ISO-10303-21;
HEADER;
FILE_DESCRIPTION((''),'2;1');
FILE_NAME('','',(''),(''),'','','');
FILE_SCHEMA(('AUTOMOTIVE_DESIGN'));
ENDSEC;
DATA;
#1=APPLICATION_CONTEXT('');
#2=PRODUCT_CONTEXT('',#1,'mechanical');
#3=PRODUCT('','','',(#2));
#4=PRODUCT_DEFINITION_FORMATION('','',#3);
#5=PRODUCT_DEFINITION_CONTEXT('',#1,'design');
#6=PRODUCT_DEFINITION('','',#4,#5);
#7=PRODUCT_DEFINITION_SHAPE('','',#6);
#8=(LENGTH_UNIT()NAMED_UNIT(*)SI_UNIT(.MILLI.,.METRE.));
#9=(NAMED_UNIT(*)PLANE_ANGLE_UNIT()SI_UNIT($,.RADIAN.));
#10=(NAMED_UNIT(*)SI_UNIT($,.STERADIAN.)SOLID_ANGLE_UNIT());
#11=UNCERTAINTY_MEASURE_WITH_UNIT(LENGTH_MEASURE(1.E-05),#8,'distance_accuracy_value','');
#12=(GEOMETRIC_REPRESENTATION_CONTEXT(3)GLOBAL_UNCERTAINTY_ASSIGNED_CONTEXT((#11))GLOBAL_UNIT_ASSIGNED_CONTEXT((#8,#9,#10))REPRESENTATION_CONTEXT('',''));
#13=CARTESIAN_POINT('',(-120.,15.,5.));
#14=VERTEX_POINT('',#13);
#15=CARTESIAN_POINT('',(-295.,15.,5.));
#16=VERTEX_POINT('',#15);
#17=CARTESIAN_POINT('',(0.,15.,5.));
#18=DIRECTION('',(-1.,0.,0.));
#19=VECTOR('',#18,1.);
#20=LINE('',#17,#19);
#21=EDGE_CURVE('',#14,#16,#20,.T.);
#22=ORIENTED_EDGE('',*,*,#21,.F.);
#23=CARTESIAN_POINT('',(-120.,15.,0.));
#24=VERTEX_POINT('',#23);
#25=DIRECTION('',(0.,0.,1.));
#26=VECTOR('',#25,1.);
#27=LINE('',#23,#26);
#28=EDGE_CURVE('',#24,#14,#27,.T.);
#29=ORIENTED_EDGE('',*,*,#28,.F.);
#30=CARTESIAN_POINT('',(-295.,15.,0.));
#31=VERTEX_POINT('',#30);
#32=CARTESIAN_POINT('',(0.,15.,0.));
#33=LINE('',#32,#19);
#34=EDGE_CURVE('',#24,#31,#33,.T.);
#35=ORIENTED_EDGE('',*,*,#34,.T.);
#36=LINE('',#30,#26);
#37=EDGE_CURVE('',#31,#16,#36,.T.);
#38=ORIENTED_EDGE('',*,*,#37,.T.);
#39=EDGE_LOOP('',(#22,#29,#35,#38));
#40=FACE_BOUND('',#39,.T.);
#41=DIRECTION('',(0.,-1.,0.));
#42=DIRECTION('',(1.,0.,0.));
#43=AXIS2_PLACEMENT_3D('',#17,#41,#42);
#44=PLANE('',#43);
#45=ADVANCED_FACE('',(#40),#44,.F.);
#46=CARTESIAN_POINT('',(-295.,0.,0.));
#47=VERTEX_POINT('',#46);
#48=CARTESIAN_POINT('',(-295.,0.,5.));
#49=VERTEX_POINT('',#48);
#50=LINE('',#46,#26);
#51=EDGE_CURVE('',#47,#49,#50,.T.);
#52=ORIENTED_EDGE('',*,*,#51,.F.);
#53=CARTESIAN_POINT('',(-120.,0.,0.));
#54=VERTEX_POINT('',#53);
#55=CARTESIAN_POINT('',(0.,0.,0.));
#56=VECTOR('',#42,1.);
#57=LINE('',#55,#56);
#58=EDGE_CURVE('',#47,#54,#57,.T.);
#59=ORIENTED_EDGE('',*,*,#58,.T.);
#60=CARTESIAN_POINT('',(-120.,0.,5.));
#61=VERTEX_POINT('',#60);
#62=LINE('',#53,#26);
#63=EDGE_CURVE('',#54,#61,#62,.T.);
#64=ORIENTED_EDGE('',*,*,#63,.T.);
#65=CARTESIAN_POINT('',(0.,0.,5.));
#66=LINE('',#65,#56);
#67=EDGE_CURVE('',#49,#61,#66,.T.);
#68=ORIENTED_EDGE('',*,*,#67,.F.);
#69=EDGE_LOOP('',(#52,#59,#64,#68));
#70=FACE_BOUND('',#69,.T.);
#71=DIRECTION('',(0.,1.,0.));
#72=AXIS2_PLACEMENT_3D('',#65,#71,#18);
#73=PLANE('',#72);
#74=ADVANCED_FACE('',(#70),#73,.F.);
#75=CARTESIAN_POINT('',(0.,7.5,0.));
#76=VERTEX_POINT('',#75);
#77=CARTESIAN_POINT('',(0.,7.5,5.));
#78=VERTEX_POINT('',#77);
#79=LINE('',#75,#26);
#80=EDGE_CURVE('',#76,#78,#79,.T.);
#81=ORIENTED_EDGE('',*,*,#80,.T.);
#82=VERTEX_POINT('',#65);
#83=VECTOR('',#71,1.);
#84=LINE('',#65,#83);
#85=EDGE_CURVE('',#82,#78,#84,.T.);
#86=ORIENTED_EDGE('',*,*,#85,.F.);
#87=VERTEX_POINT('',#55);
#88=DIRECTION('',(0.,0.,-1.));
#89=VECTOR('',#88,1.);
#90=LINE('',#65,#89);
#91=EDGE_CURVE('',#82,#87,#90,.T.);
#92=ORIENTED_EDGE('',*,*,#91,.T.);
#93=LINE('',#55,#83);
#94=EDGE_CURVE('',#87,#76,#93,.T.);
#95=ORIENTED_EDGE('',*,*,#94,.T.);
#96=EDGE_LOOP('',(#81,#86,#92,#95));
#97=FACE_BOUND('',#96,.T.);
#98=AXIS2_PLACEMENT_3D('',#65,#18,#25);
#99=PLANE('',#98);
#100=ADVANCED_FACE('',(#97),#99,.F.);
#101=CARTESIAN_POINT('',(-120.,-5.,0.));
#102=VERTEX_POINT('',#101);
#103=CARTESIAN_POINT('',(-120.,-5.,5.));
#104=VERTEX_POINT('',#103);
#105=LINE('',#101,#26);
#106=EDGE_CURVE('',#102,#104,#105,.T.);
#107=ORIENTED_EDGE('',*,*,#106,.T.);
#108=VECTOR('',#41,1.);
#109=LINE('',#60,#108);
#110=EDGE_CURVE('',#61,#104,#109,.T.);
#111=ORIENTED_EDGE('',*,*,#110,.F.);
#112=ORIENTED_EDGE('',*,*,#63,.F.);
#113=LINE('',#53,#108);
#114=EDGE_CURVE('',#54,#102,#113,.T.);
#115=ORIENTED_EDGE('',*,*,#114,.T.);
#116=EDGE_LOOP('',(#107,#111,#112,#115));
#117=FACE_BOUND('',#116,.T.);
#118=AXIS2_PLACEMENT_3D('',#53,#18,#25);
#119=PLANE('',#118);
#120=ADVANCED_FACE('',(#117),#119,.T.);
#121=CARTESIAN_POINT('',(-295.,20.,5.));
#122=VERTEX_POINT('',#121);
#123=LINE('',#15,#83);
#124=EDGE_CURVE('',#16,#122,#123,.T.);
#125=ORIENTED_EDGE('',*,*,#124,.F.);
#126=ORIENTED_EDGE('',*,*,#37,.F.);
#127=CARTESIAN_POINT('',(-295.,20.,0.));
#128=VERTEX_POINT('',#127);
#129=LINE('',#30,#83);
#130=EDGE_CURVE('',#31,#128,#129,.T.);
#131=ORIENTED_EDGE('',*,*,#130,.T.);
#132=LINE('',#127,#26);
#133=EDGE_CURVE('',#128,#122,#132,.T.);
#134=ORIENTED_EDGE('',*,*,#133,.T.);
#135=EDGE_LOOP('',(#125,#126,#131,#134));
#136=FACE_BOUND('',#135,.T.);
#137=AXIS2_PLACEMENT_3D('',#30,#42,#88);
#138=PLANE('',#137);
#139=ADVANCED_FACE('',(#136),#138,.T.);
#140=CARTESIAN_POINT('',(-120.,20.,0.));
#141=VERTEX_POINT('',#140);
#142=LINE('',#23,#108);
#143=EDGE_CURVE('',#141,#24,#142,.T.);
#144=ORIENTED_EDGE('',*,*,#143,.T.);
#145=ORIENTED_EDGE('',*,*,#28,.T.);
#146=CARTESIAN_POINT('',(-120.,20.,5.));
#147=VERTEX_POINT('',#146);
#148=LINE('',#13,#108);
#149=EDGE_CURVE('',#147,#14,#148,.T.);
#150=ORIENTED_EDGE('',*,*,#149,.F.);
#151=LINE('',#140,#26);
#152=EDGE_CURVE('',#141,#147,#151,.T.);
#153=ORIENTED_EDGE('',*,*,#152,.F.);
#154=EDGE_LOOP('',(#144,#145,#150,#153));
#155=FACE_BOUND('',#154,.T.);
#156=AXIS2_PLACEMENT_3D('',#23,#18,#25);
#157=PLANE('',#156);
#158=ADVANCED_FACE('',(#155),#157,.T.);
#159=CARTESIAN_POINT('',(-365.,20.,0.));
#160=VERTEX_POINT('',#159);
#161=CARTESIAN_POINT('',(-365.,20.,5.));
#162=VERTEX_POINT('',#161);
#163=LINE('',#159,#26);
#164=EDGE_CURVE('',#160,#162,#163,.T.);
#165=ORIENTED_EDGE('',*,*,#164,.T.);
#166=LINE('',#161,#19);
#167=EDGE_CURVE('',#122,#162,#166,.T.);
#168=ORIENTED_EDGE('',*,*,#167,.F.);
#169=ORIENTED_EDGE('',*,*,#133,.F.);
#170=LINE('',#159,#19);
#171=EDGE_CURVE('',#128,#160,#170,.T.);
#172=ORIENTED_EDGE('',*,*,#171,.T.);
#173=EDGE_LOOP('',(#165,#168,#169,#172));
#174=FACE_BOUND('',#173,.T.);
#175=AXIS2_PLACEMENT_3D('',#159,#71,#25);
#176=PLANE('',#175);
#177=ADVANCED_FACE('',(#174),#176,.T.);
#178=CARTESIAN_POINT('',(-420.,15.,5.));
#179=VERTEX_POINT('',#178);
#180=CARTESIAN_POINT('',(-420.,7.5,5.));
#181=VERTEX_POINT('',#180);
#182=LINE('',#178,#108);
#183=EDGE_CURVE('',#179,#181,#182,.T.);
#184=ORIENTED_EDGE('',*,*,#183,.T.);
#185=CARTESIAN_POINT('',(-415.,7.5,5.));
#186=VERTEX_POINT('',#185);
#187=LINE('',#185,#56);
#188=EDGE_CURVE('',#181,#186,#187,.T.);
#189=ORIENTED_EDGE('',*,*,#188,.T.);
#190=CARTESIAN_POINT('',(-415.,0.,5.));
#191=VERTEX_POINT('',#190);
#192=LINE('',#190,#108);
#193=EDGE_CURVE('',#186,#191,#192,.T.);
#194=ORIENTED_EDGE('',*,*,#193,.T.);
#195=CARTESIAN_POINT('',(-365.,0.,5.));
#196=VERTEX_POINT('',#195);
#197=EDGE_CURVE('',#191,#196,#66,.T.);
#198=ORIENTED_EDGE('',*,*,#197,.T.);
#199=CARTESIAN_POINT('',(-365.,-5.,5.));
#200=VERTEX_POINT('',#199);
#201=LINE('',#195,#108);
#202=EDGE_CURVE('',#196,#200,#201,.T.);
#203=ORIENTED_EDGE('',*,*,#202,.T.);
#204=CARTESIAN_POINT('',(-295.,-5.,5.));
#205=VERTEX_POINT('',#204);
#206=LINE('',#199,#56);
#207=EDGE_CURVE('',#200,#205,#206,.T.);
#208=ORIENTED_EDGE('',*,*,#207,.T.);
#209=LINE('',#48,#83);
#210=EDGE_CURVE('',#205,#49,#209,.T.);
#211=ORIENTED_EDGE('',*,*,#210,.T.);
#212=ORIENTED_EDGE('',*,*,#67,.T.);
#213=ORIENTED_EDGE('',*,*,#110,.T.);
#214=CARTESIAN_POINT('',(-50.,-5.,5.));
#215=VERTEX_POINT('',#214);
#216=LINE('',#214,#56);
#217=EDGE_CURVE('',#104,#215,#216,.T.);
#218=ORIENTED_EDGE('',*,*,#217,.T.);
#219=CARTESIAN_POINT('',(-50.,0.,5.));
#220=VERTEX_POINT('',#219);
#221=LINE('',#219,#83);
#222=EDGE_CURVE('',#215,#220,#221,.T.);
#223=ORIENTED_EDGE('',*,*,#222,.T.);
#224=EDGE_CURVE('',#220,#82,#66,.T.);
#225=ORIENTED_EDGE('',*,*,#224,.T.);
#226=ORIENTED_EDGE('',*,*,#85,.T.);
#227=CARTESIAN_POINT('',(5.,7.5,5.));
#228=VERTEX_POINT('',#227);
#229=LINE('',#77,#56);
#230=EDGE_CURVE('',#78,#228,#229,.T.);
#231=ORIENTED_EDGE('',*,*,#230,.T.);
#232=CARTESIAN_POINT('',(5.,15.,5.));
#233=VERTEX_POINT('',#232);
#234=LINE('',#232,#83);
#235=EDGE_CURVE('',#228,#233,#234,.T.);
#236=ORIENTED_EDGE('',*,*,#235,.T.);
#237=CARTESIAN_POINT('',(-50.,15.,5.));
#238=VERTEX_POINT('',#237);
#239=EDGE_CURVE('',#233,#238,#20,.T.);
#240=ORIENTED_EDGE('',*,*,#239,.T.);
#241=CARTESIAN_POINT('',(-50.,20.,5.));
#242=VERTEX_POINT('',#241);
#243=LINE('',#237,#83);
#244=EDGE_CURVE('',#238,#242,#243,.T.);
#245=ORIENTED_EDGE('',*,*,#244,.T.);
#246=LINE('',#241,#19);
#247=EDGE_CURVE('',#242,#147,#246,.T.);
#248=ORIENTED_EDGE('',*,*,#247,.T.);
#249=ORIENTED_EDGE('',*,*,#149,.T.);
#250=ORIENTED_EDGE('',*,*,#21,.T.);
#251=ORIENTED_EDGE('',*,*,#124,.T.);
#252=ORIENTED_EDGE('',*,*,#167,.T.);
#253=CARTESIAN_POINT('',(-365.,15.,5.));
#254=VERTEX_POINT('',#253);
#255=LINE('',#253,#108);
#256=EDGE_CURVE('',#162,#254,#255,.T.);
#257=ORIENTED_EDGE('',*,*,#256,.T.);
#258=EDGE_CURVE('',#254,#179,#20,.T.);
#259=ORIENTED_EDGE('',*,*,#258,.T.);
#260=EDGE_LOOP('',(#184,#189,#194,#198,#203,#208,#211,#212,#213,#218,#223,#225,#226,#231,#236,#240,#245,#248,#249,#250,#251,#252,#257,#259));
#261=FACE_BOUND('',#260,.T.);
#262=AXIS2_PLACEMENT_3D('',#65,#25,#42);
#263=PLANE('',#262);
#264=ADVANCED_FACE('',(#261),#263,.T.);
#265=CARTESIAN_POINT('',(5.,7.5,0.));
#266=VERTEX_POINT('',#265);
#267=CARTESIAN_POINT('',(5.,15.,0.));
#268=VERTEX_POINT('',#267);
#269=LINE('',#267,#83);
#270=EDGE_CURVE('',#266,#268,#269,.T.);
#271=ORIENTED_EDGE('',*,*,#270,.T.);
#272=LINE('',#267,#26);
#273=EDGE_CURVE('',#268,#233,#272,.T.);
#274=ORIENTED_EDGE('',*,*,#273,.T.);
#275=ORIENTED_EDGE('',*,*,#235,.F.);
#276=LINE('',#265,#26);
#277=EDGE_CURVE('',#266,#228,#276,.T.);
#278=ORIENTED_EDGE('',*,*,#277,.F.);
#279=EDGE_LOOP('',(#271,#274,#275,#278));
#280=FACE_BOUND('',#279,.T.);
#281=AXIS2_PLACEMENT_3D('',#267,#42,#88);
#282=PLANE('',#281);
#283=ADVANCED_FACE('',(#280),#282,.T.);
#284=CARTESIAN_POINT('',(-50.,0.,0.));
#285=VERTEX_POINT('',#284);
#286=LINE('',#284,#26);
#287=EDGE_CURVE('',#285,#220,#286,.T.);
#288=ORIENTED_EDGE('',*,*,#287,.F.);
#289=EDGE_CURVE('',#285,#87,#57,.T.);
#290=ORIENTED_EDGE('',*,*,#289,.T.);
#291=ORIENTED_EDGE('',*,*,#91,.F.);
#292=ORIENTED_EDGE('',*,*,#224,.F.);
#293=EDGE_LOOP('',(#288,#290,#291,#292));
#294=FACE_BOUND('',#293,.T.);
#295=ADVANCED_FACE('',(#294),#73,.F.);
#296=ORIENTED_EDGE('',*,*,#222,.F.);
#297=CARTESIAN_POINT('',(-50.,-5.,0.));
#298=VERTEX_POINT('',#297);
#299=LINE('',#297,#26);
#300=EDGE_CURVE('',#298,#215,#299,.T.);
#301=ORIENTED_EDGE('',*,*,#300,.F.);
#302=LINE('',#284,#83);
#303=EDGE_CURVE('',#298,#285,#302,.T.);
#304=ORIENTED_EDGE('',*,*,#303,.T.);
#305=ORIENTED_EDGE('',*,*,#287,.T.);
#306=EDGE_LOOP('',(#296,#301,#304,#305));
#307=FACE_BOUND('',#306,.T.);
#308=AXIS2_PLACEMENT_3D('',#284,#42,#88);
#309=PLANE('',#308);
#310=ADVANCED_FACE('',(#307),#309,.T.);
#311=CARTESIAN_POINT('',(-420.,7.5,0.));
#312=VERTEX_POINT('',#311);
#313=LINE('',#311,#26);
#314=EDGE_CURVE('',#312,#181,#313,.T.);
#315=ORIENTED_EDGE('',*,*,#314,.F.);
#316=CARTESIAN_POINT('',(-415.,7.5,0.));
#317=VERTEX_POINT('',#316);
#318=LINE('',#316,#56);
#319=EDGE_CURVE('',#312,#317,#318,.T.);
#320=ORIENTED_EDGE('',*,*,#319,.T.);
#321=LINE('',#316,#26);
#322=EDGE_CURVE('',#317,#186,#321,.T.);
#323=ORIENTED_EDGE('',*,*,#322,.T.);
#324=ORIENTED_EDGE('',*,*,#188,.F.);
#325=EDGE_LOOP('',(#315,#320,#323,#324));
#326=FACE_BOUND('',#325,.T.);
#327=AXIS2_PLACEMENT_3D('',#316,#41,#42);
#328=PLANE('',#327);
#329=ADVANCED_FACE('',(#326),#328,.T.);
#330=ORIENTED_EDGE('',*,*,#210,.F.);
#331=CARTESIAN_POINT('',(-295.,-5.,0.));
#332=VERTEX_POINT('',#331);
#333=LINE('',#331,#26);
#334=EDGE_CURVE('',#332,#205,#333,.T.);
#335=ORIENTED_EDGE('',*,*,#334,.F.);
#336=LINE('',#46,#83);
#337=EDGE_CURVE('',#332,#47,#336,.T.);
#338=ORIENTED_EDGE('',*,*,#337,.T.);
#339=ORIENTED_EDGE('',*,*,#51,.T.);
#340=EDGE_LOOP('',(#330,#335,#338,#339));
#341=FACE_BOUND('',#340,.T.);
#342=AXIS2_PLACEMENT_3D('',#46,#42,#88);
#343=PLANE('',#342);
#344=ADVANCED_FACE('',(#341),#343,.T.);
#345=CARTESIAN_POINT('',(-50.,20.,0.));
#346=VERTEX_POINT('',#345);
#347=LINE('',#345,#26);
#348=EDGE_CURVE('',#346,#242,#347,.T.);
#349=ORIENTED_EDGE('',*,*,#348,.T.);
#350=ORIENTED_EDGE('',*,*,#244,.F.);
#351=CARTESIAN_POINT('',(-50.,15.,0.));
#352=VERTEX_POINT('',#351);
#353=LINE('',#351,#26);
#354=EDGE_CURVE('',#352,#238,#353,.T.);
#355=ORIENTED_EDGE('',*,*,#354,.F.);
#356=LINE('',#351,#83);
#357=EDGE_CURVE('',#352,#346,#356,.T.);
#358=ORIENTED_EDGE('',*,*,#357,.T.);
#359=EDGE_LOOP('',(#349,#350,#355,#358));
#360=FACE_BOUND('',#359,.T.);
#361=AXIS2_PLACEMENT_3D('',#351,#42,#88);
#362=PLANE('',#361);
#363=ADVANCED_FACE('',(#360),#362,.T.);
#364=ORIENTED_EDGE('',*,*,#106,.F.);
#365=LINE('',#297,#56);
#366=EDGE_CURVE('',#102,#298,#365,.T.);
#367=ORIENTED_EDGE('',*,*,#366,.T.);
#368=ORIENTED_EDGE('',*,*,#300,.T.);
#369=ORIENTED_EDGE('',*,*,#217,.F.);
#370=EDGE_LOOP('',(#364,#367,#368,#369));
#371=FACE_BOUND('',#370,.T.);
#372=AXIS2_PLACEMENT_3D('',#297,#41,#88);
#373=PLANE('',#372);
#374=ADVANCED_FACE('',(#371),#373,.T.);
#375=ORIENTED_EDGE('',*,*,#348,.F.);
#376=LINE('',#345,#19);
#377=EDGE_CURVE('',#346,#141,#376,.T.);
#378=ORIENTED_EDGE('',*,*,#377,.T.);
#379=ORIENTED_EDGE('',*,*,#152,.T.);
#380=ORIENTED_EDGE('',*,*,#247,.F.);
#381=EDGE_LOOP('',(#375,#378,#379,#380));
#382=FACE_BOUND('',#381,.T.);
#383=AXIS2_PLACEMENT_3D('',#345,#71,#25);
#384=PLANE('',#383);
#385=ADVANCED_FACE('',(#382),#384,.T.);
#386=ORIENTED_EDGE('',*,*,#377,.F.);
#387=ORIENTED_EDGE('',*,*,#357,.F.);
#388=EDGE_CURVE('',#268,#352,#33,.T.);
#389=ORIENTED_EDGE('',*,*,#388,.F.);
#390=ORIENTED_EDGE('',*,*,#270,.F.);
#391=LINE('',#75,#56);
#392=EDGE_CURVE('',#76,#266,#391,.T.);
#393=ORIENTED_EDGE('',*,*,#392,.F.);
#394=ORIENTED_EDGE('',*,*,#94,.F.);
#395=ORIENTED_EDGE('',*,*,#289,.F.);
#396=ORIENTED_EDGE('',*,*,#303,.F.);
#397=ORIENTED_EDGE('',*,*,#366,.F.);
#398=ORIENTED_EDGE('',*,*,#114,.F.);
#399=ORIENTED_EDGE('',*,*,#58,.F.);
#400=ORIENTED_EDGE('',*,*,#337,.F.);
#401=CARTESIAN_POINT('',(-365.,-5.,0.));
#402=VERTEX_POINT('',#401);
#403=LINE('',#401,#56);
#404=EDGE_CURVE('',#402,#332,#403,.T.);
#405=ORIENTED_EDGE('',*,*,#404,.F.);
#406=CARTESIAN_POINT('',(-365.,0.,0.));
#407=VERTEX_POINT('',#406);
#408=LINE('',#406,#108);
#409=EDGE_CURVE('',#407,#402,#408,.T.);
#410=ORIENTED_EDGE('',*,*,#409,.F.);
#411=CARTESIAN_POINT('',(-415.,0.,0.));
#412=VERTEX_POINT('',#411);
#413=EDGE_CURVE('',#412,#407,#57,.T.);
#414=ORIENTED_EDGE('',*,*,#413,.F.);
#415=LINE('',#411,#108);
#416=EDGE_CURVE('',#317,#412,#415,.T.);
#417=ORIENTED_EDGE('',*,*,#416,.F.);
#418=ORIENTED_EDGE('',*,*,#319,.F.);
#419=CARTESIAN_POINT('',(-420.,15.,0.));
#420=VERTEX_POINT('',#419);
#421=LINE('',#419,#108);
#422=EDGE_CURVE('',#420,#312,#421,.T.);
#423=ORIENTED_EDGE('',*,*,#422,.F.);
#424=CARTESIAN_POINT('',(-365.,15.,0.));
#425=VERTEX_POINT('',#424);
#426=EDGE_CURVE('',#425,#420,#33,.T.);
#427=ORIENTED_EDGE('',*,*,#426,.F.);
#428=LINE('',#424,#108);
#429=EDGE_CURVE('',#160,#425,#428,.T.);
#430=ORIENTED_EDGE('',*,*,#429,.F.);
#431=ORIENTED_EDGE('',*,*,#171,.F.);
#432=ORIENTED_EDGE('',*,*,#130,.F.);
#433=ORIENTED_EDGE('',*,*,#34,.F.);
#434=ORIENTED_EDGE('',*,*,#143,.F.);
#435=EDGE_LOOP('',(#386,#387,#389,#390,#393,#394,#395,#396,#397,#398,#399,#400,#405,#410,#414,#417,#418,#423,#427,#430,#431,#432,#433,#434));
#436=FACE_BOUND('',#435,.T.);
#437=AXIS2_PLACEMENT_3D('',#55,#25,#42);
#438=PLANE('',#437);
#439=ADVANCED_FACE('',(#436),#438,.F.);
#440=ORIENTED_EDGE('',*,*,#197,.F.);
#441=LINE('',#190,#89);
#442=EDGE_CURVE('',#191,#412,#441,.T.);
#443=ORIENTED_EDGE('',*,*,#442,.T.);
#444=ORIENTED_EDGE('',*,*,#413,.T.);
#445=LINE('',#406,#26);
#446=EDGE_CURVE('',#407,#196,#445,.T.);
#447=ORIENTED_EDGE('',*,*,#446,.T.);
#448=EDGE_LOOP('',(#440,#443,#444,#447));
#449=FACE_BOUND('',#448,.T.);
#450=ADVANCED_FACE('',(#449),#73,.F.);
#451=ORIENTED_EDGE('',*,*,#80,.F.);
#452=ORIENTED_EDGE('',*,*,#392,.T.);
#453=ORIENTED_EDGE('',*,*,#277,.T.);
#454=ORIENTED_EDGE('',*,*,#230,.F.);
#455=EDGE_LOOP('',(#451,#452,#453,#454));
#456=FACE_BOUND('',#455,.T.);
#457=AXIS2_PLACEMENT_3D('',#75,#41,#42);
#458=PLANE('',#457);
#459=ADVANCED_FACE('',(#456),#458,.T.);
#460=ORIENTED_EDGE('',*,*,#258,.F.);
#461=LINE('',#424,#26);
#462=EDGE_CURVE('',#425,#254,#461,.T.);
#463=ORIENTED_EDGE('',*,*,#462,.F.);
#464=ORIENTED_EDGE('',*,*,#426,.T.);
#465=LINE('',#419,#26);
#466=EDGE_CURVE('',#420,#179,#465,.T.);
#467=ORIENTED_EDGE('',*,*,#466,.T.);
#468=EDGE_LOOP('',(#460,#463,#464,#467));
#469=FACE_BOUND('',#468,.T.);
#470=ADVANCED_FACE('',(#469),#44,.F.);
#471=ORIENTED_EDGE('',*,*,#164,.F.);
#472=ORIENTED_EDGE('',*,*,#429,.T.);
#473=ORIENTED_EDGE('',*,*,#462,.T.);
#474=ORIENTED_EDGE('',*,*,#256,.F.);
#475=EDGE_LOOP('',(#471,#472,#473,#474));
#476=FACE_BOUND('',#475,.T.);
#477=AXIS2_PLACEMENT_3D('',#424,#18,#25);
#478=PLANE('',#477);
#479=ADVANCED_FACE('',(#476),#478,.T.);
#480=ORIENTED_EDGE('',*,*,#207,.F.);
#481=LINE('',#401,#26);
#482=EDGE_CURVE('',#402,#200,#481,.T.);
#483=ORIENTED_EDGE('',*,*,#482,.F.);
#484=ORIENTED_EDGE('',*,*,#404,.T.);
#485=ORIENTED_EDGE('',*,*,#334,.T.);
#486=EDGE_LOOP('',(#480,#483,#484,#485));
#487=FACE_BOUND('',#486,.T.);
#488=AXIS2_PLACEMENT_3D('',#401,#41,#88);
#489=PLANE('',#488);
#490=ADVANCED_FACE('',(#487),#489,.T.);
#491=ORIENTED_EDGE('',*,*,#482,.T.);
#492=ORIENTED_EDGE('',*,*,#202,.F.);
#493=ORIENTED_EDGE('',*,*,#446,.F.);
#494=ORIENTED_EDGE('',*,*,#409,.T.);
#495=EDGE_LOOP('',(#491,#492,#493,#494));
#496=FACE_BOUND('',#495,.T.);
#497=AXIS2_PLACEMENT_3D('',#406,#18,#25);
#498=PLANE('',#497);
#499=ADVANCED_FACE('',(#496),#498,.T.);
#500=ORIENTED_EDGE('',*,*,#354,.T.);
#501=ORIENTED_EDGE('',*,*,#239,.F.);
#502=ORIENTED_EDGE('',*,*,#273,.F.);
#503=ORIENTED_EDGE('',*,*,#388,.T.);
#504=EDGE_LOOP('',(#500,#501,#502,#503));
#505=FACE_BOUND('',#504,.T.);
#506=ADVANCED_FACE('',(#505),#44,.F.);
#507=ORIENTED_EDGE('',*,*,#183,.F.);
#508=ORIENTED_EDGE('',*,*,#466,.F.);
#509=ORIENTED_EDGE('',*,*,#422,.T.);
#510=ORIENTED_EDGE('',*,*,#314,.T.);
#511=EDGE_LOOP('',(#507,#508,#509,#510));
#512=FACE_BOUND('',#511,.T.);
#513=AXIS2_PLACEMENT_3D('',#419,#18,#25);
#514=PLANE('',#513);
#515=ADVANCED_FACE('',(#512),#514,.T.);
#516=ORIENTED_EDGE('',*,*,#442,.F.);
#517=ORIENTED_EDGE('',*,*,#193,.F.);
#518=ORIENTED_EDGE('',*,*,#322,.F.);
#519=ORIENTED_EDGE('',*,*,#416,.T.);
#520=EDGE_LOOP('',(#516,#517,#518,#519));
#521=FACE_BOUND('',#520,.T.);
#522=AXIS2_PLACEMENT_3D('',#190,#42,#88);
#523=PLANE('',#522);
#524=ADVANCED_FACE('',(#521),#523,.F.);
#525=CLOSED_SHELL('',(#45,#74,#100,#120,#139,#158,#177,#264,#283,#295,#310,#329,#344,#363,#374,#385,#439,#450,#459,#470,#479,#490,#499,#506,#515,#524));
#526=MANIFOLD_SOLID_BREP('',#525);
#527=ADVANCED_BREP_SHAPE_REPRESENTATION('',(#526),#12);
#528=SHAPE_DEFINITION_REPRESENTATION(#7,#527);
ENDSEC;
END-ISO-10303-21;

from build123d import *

# Parameters (mm, degrees)
SKETCH1_W           = 415
SKETCH1_H           = 15
BOSS_EXTRUDE1_DEPTH = 5
SKETCH2_W           = 5
SKETCH2_H           = 7.5
SKETCH2_W_2         = 70
SKETCH2_H_2         = 5
BOSS_EXTRUDE2_DEPTH = 5


with BuildPart() as part:
    # Sketch1 → Boss-Extrude1 (new body)
    with BuildSketch(Plane.XY):
        with Locations((-207.5, 7.5)):
            Rectangle(SKETCH1_W, SKETCH1_H)
    extrude(amount=BOSS_EXTRUDE1_DEPTH)

    # Sketch2 → Boss-Extrude2 (add)
    with BuildSketch(Plane.XY.offset(5)):
        with Locations((-417.5, 11.25)):
            Rectangle(SKETCH2_W, SKETCH2_H)
        with Locations((2.5, 11.25)):
            Rectangle(SKETCH2_W, SKETCH2_H)
        with Locations((-330, 17.5)):
            Rectangle(SKETCH2_W_2, SKETCH2_H_2)
        with Locations((-85, 17.5)):
            Rectangle(SKETCH2_W_2, SKETCH2_H_2)
        with Locations((-330, -2.5)):
            Rectangle(SKETCH2_W_2, SKETCH2_H_2)
        with Locations((-85, -2.5)):
            Rectangle(SKETCH2_W_2, SKETCH2_H_2)
    extrude(amount=-BOSS_EXTRUDE2_DEPTH)


solid = part.part
